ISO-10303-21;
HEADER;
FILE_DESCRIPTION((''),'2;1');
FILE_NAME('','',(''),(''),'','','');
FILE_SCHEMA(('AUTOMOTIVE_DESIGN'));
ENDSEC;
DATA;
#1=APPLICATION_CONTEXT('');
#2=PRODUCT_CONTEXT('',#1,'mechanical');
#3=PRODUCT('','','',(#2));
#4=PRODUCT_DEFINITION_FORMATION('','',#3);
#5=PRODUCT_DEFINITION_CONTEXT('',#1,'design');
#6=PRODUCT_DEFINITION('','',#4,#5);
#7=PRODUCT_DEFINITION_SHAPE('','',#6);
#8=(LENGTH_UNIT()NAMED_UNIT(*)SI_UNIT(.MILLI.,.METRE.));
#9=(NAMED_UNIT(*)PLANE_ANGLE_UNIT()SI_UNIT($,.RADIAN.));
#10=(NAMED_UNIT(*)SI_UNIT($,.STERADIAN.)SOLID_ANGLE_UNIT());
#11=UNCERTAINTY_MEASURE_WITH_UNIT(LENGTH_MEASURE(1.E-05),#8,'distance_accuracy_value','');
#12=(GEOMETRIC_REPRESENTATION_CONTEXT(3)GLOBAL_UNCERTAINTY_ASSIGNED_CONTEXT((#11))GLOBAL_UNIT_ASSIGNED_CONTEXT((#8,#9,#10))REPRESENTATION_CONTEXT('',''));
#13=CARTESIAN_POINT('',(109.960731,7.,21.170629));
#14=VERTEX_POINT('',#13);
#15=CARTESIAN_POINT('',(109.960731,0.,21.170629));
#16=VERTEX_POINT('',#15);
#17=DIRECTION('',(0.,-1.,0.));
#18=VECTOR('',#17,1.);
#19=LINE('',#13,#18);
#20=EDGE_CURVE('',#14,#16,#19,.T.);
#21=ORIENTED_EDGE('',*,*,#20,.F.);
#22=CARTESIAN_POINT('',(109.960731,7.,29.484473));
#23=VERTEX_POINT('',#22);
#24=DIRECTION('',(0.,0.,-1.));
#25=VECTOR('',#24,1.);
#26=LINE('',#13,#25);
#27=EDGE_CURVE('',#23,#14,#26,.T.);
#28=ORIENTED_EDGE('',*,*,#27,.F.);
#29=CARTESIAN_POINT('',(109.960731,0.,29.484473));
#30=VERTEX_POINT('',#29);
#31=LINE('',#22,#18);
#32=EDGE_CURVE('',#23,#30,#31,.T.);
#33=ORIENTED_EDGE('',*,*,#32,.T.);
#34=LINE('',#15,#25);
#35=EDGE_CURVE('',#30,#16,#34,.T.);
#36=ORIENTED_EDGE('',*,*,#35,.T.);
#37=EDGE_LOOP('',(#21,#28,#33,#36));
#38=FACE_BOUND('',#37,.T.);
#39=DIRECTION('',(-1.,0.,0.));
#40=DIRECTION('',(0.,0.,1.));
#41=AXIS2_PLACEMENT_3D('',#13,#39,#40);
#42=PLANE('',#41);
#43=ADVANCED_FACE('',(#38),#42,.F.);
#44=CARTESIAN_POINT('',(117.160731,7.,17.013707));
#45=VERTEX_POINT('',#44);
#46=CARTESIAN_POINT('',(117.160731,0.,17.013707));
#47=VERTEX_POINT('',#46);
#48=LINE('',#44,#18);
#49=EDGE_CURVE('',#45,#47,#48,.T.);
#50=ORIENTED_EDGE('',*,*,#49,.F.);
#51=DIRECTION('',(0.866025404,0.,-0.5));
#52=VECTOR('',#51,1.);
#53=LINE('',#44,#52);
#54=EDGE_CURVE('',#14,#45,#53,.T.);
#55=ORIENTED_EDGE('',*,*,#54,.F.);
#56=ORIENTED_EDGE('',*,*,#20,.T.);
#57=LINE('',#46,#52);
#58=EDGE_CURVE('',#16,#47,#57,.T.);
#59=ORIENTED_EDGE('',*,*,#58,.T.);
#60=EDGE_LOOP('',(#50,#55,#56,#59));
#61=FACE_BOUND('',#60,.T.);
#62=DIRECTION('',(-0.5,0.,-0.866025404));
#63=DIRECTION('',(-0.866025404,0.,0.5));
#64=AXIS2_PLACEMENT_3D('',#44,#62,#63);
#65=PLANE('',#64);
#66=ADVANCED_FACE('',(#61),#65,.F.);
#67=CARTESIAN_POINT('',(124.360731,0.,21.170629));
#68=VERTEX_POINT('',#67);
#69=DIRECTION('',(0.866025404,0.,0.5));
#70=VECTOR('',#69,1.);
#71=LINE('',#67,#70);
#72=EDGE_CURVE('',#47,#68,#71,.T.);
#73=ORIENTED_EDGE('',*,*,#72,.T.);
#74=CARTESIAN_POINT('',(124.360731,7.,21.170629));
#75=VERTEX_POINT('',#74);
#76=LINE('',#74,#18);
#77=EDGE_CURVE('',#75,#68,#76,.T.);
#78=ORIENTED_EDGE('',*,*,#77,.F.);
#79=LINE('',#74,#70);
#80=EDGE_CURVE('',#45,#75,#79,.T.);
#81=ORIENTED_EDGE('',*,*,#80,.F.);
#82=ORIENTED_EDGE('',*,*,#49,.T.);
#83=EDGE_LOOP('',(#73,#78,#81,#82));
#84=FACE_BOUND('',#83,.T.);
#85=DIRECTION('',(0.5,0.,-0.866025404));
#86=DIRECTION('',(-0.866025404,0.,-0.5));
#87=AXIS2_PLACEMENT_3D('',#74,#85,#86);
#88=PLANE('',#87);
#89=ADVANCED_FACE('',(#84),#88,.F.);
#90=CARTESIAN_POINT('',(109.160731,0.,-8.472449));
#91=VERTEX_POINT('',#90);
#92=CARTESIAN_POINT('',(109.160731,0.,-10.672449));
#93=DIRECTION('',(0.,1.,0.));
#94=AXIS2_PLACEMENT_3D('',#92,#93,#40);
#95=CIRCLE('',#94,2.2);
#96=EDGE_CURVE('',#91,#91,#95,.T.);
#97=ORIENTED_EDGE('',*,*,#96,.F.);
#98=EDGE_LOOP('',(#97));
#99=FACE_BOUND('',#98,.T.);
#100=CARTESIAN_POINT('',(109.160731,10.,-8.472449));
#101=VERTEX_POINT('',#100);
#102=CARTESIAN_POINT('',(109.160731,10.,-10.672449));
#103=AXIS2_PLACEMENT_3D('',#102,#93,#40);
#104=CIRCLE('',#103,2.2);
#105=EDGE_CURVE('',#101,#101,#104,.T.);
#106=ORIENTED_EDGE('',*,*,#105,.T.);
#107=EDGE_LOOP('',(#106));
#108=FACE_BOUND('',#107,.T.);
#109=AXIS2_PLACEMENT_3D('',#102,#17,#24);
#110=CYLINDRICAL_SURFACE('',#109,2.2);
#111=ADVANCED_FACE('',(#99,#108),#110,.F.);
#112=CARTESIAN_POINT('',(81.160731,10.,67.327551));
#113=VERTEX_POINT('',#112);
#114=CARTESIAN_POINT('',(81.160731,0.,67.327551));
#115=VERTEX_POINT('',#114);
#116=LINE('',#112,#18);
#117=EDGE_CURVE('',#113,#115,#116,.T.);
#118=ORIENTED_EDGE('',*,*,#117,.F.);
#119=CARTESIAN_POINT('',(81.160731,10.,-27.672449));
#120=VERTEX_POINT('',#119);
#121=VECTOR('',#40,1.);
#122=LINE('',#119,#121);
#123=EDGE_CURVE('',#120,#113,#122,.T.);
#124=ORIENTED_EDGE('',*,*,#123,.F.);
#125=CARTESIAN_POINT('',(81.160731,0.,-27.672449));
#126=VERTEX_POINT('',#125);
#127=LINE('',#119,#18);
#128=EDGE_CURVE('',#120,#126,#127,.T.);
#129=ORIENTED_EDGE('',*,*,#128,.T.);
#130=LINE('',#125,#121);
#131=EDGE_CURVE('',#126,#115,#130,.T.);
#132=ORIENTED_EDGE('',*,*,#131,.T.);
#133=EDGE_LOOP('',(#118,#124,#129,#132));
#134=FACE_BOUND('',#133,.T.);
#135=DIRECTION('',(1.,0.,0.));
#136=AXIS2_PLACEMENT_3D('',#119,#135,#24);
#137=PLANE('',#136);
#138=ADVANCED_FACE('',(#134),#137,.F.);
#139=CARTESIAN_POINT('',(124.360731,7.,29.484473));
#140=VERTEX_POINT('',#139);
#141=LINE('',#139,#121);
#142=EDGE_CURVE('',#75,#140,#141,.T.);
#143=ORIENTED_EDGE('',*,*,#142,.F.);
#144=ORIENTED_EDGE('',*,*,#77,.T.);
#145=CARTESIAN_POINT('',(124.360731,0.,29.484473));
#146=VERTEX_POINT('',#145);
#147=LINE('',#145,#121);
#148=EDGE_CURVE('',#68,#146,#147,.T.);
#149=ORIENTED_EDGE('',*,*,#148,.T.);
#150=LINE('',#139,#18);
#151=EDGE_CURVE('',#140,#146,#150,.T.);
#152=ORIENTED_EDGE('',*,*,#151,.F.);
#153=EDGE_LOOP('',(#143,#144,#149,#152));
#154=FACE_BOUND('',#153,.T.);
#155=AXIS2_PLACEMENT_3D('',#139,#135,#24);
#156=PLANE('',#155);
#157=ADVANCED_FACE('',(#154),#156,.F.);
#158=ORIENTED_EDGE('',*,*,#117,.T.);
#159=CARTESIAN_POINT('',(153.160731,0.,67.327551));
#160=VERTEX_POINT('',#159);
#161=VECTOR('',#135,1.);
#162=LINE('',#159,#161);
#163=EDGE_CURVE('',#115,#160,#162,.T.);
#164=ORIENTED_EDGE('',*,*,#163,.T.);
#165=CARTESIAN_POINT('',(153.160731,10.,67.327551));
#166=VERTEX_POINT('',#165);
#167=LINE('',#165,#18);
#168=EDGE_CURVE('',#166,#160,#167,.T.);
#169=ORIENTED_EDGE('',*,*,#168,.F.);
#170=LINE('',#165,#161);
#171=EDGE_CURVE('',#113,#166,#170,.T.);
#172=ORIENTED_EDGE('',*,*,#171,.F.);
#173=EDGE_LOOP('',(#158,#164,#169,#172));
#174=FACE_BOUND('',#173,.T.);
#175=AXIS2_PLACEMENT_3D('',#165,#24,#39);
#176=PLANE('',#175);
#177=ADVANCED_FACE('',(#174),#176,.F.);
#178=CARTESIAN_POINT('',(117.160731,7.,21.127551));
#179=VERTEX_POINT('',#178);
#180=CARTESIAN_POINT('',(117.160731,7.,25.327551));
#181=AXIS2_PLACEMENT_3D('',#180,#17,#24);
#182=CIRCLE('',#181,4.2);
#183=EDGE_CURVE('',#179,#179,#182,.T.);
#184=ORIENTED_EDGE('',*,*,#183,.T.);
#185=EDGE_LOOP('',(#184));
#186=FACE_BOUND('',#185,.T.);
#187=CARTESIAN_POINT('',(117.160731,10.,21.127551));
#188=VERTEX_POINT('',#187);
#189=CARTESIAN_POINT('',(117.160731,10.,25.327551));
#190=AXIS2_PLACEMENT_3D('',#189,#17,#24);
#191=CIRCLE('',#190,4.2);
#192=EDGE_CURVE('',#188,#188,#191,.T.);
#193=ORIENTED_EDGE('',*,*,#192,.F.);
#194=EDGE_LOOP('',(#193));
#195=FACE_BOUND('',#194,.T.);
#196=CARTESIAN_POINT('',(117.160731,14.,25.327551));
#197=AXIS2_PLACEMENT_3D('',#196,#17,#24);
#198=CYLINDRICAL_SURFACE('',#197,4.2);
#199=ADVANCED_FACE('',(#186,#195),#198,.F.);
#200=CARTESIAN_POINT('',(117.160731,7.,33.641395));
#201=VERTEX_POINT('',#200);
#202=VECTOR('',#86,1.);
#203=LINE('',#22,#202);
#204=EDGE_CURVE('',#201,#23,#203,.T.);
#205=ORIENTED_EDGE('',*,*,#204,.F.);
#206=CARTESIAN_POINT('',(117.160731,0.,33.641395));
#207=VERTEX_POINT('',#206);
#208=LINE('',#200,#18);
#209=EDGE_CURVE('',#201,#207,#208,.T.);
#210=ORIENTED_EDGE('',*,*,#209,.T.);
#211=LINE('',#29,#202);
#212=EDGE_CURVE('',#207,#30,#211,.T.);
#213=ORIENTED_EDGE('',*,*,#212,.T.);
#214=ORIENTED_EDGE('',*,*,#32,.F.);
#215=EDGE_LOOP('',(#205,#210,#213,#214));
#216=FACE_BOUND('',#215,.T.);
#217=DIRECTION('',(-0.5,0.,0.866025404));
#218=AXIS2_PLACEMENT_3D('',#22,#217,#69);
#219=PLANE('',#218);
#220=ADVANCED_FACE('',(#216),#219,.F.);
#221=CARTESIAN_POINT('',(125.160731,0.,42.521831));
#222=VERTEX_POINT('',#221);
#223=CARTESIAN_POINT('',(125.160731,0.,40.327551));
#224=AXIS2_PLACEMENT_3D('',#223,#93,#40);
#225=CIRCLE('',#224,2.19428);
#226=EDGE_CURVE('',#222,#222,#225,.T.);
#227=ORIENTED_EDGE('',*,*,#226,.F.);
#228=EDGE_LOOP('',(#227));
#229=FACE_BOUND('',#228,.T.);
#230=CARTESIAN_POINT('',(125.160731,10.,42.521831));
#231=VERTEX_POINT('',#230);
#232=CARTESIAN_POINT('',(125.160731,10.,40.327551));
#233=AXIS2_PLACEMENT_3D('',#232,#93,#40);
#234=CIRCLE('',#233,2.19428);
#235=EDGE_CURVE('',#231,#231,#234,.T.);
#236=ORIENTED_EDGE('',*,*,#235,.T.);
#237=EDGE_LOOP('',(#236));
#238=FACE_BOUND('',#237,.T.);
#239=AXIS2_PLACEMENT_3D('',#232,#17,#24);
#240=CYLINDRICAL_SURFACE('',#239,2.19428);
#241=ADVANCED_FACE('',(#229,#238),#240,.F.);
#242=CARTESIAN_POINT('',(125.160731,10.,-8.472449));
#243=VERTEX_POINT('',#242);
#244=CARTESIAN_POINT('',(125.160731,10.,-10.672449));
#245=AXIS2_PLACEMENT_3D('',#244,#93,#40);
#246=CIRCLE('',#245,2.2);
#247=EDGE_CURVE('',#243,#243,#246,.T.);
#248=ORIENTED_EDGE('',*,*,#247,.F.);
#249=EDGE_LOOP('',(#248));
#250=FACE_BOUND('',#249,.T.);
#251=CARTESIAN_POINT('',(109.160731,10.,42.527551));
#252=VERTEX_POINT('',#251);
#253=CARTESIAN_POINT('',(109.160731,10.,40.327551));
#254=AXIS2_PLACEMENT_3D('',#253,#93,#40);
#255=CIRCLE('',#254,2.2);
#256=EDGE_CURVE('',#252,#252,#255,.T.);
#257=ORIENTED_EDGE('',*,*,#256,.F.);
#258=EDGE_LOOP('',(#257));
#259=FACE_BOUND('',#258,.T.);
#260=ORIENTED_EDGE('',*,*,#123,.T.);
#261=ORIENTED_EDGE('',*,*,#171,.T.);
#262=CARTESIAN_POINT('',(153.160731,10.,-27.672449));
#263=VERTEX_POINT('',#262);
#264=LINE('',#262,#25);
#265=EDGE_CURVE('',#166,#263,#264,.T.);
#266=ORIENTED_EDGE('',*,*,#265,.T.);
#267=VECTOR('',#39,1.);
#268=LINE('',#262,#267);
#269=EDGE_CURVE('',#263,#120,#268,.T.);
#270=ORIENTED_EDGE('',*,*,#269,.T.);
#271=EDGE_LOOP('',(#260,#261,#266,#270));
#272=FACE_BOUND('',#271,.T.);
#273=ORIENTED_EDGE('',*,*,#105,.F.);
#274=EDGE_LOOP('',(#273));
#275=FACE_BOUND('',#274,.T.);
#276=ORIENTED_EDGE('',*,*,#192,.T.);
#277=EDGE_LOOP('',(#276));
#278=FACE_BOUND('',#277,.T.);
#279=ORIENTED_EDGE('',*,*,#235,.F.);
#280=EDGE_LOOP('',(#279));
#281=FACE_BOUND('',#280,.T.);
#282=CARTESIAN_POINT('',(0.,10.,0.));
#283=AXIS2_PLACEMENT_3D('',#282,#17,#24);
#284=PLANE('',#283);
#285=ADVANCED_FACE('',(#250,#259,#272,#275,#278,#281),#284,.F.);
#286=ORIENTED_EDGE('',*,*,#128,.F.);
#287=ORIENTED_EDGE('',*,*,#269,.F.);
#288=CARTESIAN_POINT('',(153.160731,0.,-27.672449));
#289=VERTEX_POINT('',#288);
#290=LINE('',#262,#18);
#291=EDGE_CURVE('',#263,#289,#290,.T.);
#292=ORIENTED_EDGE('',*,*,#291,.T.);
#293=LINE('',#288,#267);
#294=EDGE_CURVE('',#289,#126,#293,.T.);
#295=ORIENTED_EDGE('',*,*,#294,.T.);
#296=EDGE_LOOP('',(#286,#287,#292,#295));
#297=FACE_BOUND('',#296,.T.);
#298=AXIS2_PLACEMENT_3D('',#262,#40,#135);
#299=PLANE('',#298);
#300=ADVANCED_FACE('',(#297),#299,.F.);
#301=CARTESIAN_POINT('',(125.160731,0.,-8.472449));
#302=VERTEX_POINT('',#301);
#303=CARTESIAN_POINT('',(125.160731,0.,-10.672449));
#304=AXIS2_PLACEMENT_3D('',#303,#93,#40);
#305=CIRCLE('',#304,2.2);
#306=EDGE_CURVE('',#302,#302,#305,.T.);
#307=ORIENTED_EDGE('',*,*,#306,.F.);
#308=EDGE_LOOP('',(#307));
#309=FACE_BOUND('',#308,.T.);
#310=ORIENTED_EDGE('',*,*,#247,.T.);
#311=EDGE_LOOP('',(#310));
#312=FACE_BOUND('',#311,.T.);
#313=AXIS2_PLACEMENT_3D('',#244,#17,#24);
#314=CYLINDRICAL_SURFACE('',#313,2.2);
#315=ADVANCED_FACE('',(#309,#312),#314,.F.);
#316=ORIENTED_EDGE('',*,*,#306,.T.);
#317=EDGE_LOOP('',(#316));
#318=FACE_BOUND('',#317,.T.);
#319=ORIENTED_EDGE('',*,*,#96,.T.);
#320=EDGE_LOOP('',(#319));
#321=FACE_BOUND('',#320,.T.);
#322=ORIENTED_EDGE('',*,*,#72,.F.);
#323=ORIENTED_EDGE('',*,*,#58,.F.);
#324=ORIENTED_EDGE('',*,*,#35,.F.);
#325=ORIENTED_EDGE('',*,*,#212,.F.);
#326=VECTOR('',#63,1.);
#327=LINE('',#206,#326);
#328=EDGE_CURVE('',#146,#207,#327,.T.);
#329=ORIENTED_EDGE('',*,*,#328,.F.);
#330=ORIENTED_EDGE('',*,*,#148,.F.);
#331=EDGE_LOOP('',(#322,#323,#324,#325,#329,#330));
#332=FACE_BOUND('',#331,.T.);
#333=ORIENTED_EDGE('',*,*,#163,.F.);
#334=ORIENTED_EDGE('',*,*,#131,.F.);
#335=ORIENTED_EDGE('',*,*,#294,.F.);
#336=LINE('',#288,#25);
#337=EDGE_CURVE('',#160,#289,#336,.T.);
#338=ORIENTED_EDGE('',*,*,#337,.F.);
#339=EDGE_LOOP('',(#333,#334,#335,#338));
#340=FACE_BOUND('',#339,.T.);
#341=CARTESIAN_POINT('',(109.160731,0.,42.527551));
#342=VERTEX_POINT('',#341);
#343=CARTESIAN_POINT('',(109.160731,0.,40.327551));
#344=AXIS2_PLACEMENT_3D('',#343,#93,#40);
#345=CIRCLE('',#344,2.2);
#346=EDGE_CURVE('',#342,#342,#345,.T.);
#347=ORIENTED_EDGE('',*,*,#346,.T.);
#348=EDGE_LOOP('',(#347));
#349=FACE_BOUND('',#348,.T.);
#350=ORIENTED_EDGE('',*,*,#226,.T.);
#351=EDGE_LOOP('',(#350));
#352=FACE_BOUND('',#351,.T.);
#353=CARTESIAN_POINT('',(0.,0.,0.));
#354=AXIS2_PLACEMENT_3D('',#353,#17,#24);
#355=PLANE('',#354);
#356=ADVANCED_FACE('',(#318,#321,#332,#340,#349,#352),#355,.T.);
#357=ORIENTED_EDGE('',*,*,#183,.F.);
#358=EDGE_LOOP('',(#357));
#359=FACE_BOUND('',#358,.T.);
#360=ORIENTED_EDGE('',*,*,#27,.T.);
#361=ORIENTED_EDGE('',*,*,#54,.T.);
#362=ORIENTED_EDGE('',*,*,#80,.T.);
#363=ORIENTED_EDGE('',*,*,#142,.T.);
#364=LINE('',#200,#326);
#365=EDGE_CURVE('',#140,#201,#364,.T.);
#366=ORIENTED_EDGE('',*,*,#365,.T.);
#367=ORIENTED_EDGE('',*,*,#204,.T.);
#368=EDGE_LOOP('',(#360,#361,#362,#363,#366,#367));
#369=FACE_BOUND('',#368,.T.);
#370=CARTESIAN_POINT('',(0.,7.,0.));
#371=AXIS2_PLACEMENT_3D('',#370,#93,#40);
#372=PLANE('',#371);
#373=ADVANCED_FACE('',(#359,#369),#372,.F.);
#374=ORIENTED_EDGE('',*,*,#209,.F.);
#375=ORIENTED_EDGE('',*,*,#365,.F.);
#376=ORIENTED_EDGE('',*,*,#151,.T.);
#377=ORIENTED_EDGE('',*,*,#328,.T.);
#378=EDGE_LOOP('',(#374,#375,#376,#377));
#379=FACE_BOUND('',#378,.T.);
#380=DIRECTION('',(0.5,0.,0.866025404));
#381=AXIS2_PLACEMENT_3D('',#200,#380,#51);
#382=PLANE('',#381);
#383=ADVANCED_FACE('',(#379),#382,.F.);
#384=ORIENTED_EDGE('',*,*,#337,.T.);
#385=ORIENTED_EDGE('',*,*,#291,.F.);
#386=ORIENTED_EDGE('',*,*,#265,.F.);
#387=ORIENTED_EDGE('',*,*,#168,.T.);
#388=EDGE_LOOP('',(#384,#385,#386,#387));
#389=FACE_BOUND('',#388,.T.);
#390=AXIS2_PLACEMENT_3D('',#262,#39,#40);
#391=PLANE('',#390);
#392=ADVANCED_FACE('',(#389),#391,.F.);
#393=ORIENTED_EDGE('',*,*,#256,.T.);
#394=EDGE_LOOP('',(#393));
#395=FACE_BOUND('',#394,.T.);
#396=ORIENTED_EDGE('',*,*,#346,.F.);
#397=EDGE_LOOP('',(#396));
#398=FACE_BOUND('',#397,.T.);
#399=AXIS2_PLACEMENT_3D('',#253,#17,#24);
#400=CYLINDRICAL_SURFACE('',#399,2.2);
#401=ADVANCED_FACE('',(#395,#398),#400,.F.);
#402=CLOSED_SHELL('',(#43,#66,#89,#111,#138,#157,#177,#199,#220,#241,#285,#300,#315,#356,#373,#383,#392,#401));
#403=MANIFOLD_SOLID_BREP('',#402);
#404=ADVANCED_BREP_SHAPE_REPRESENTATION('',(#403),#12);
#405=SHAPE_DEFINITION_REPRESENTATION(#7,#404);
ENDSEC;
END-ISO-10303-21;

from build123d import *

# Parameters (mm, degrees)
SKETCH1_W           = 72
SKETCH1_H           = 95
SKETCH1_R           = 2.2
SKETCH1_R_2         = 2.194279912
BOSS_EXTRUDE1_DEPTH = 10
CUT_EXTRUDE1_DEPTH  = 7
CUT_EXTRUDE2_DEPTH  = 7


with BuildPart() as part:
    # Sketch1 → Boss-Extrude1 (new body)
    with BuildSketch(Plane(origin=(0, 0, 0), x_dir=(1, 0, 0), z_dir=(0, 1, 0))):
        with Locations((117.160731424, -19.82755102)):
            Rectangle(SKETCH1_W, SKETCH1_H)
        with Locations(Location((125.160731424, 10.67244898, 0), (0, 0, 270))):
            Circle(SKETCH1_R, mode=Mode.SUBTRACT)
        with Locations(Location((109.160731424, 10.67244898, 0), (0, 0, 270))):
            Circle(SKETCH1_R, mode=Mode.SUBTRACT)
        with Locations(Location((125.160731424, -40.32755102, 0), (0, 0, 270))):
            Circle(SKETCH1_R_2, mode=Mode.SUBTRACT)
        with Locations(Location((109.160731424, -40.32755102, 0), (0, 0, 270))):
            Circle(SKETCH1_R, mode=Mode.SUBTRACT)
    extrude(amount=BOSS_EXTRUDE1_DEPTH)

    # Sketch2 → Cut-Extrude1 (cut)
    with BuildSketch(Plane.XZ):
        Polygon((109.960731424, 21.170629082), (109.960731424, 29.484472959), (117.160731424, 33.641394897), (124.360731424, 29.484472959), (124.360731424, 21.170629082), (117.160731424, 17.013707144), align=None)
    extrude(amount=-CUT_EXTRUDE1_DEPTH, mode=Mode.SUBTRACT)

    # Sketch5 → Cut-Extrude2 (cut)
    with BuildSketch(Plane.XZ.offset(-7)):
        with BuildLine():
            ThreePointArc((121.360731424, 25.32755102), (120.130579905, 28.297399501), (117.160731424, 29.52755102))
            Line((117.160731424, 29.52755102), (117.160731424, 21.12755102))
            ThreePointArc((117.160731424, 21.12755102), (120.130579905, 22.357702539), (121.360731424, 25.32755102))
        make_face()
        with BuildLine():
            Line((117.160731424, 21.12755102), (117.160731424, 29.52755102))
            ThreePointArc((117.160731424, 29.52755102), (112.960731424, 25.32755102), (117.160731424, 21.12755102))
        make_face()
    extrude(amount=-CUT_EXTRUDE2_DEPTH, mode=Mode.SUBTRACT)


solid = part.part
